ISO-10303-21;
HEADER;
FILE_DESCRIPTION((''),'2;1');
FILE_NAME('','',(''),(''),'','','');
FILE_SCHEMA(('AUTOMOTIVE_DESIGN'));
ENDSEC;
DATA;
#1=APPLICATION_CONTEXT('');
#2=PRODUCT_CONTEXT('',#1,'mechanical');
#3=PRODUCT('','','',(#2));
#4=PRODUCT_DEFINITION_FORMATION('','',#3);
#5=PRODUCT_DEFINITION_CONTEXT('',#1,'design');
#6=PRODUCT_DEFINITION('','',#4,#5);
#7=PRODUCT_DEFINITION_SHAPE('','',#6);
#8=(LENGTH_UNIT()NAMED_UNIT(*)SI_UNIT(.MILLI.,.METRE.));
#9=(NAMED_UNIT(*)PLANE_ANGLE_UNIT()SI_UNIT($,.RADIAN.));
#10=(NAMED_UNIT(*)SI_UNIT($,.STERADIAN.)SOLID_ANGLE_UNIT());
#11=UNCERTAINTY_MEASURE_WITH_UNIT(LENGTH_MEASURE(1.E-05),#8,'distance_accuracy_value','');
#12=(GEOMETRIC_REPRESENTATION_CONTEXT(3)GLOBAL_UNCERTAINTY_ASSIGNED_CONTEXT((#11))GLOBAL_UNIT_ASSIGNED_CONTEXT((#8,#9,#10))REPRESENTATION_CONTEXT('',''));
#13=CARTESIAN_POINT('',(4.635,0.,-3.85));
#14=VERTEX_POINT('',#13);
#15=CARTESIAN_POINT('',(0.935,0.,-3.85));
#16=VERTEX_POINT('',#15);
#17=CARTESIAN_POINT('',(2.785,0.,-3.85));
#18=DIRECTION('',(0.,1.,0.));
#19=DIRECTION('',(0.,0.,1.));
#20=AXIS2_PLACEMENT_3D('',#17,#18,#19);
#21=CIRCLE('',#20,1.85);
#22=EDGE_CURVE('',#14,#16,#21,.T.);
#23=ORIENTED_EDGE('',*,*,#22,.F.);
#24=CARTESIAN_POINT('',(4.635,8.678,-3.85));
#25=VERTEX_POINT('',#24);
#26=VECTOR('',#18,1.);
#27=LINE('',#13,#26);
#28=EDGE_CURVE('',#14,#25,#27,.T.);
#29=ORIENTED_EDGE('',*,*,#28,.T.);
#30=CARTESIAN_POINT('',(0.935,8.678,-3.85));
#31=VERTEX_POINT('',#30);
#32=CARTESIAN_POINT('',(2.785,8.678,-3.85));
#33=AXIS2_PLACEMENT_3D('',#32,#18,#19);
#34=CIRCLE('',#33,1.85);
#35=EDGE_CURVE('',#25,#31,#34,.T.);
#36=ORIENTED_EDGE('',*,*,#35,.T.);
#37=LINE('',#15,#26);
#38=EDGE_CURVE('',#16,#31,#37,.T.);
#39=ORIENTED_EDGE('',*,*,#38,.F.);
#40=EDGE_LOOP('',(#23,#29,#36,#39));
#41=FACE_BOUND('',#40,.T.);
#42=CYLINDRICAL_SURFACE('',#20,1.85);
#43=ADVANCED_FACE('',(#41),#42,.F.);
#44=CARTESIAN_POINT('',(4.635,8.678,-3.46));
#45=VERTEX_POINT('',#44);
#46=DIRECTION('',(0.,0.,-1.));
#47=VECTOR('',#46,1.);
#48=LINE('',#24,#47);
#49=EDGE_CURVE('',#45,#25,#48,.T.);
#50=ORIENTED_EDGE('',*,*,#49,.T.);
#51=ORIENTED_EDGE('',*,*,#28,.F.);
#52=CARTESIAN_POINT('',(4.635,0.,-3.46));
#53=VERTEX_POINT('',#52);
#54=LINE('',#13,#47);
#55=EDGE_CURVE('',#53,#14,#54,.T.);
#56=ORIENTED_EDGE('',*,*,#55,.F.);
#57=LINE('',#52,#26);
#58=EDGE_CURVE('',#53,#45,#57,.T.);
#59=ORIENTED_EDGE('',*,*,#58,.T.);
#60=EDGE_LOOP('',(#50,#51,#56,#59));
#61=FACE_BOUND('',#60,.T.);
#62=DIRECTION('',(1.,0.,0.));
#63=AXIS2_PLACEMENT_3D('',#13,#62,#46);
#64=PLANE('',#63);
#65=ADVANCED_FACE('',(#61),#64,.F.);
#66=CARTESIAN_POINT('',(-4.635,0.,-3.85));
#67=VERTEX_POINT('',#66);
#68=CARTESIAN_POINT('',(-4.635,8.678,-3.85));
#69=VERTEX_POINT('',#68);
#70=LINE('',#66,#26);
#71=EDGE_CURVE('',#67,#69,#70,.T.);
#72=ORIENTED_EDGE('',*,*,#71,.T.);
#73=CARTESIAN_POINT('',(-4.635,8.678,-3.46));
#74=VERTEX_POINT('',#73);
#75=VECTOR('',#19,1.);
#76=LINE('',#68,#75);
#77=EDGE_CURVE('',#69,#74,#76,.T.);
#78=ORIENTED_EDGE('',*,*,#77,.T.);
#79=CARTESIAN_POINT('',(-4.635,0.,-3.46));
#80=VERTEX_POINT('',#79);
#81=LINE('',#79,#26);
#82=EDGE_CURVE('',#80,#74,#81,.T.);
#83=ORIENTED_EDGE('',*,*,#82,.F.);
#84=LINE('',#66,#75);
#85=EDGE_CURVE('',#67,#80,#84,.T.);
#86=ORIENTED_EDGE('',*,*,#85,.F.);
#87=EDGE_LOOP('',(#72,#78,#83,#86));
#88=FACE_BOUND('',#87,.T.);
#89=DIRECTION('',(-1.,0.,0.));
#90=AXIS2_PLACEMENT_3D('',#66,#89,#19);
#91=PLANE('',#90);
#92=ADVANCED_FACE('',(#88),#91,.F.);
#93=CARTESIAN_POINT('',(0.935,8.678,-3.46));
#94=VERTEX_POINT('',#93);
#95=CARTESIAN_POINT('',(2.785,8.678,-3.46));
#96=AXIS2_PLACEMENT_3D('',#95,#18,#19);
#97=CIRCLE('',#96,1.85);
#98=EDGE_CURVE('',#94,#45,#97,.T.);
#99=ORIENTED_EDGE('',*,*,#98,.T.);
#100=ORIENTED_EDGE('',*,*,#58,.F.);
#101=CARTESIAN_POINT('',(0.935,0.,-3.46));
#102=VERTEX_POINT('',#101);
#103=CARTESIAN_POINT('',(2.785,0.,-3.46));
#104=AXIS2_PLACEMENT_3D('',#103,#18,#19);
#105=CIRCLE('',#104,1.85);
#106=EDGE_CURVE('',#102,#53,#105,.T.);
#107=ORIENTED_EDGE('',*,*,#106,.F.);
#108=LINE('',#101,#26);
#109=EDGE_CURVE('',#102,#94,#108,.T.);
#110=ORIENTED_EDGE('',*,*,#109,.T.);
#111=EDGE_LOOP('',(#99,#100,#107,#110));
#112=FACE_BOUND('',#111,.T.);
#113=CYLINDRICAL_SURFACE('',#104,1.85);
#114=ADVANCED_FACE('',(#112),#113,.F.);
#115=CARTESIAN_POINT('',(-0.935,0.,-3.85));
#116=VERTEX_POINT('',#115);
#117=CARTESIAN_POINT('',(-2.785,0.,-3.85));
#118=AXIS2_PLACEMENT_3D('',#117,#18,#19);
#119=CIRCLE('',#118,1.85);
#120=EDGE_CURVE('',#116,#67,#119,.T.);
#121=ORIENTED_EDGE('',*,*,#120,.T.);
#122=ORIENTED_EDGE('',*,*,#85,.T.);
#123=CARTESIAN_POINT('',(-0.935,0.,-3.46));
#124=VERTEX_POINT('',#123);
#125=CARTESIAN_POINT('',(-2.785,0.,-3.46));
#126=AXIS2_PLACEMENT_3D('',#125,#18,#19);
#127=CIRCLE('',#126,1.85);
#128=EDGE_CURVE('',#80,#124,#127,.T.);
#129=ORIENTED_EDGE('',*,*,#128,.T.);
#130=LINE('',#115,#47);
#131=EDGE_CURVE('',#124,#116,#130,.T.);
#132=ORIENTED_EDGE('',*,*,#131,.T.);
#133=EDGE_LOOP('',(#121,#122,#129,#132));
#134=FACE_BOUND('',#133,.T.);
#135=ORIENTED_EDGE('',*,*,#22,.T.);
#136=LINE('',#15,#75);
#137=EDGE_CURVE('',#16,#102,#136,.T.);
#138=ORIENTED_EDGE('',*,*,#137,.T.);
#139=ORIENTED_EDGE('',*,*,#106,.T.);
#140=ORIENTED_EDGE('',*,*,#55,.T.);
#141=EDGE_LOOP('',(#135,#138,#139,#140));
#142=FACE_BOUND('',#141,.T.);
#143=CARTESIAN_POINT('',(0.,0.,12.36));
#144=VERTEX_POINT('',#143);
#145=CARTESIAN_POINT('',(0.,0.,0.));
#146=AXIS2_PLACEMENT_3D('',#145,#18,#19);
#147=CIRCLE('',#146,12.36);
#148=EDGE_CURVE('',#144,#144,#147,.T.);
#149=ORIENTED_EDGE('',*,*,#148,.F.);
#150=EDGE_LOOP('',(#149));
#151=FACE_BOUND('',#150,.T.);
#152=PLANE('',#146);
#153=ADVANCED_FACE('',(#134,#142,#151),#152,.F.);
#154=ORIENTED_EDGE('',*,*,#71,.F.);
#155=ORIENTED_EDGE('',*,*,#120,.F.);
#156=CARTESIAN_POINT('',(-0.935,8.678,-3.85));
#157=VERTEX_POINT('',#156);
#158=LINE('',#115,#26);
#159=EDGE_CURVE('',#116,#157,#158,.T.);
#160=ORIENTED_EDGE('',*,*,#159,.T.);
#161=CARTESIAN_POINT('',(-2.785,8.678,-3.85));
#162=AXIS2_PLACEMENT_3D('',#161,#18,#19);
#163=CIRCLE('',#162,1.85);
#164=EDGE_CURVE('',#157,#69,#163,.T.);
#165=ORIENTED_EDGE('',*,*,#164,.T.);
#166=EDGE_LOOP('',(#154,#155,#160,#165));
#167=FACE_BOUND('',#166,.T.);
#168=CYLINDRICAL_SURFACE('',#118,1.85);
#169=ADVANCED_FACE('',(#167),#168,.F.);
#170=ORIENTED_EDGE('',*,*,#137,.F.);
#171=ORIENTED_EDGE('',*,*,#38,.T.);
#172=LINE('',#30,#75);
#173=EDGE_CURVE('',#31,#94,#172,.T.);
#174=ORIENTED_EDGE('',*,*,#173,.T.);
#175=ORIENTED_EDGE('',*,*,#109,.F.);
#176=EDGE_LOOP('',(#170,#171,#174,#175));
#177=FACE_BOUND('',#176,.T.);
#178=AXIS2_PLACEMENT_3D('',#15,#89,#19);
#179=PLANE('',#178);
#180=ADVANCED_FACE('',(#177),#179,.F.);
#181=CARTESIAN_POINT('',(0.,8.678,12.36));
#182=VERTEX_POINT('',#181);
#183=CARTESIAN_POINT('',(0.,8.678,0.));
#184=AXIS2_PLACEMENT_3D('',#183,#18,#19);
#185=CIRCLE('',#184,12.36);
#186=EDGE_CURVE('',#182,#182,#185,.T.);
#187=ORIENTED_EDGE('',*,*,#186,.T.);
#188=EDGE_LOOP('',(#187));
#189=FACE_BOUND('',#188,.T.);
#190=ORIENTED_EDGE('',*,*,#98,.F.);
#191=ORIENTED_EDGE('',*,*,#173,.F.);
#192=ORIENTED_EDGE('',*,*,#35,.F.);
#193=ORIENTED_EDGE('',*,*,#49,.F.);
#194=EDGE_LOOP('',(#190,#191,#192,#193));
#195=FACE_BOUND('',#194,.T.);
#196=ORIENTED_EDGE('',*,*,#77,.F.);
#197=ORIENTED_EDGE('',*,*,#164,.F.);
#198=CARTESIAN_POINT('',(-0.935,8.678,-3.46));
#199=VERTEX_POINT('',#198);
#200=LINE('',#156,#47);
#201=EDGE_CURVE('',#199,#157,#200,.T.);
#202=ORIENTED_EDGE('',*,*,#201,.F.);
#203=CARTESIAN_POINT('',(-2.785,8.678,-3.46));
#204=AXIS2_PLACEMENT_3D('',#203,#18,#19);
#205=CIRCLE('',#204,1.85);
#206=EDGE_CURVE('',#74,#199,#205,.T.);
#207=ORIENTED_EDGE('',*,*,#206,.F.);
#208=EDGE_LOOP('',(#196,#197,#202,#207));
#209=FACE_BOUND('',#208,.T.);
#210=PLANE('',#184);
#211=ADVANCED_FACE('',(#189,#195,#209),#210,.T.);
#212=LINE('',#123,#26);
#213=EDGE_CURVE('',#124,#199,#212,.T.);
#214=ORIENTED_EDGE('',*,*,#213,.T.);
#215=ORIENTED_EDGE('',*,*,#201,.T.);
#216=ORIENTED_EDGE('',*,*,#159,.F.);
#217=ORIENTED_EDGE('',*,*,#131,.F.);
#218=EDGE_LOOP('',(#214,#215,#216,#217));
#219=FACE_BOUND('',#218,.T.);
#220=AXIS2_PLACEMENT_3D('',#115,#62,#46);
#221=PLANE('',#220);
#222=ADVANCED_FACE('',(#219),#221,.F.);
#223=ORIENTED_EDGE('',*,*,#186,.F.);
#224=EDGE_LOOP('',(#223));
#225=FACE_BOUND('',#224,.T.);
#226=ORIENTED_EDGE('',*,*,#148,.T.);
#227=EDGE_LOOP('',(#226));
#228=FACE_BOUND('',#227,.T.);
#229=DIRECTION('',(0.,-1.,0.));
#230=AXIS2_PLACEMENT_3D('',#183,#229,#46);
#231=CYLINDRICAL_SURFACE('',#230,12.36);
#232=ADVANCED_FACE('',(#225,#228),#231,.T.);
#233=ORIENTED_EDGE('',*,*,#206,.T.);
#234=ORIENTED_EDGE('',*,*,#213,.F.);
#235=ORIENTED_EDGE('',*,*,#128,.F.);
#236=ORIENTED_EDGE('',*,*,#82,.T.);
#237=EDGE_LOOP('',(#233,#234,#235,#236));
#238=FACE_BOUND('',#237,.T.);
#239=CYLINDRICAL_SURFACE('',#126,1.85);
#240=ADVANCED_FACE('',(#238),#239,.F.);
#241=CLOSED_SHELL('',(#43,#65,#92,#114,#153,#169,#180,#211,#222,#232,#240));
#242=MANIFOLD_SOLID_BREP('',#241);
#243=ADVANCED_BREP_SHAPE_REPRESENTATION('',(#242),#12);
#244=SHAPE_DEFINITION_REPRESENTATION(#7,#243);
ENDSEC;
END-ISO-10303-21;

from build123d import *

# Parameters (mm, degrees)
SKETCH1_R           = 12.36
BOSS_EXTRUDE1_DEPTH = 8.678
CUT_EXTRUDE1_DEPTH  = 20.515298717


with BuildPart() as part:
    # Sketch1 → Boss-Extrude1 (new body)
    with BuildSketch(Plane(origin=(0, 0, 0), x_dir=(1, 0, 0), z_dir=(0, 1, 0))):
        with Locations(Location((0, 0, 0), (0, 0, 270))):
            Circle(SKETCH1_R)
    extrude(amount=BOSS_EXTRUDE1_DEPTH)

    # Sketch2 → Cut-Extrude1 (cut, through all)
    with BuildSketch(Plane(origin=(0, 8.678, 0), x_dir=(1, 0, 0), z_dir=(0, 1, 0))):
        with BuildLine():
            Line((4.635, 3.85), (4.635, 3.46))
            ThreePointArc((4.635, 3.46), (2.785, 1.61), (0.935, 3.46))
            Line((0.935, 3.46), (0.935, 3.85))
            ThreePointArc((0.935, 3.85), (2.785, 5.7), (4.635, 3.85))
        make_face()
        with BuildLine():
            Line((-0.935, 3.85), (-0.935, 3.46))
            ThreePointArc((-0.935, 3.46), (-2.785, 1.61), (-4.635, 3.46))
            Line((-4.635, 3.46), (-4.635, 3.85))
            ThreePointArc((-4.635, 3.85), (-2.785, 5.7), (-0.935, 3.85))
        make_face()
    extrude(amount=-CUT_EXTRUDE1_DEPTH, mode=Mode.SUBTRACT)


solid = part.part
